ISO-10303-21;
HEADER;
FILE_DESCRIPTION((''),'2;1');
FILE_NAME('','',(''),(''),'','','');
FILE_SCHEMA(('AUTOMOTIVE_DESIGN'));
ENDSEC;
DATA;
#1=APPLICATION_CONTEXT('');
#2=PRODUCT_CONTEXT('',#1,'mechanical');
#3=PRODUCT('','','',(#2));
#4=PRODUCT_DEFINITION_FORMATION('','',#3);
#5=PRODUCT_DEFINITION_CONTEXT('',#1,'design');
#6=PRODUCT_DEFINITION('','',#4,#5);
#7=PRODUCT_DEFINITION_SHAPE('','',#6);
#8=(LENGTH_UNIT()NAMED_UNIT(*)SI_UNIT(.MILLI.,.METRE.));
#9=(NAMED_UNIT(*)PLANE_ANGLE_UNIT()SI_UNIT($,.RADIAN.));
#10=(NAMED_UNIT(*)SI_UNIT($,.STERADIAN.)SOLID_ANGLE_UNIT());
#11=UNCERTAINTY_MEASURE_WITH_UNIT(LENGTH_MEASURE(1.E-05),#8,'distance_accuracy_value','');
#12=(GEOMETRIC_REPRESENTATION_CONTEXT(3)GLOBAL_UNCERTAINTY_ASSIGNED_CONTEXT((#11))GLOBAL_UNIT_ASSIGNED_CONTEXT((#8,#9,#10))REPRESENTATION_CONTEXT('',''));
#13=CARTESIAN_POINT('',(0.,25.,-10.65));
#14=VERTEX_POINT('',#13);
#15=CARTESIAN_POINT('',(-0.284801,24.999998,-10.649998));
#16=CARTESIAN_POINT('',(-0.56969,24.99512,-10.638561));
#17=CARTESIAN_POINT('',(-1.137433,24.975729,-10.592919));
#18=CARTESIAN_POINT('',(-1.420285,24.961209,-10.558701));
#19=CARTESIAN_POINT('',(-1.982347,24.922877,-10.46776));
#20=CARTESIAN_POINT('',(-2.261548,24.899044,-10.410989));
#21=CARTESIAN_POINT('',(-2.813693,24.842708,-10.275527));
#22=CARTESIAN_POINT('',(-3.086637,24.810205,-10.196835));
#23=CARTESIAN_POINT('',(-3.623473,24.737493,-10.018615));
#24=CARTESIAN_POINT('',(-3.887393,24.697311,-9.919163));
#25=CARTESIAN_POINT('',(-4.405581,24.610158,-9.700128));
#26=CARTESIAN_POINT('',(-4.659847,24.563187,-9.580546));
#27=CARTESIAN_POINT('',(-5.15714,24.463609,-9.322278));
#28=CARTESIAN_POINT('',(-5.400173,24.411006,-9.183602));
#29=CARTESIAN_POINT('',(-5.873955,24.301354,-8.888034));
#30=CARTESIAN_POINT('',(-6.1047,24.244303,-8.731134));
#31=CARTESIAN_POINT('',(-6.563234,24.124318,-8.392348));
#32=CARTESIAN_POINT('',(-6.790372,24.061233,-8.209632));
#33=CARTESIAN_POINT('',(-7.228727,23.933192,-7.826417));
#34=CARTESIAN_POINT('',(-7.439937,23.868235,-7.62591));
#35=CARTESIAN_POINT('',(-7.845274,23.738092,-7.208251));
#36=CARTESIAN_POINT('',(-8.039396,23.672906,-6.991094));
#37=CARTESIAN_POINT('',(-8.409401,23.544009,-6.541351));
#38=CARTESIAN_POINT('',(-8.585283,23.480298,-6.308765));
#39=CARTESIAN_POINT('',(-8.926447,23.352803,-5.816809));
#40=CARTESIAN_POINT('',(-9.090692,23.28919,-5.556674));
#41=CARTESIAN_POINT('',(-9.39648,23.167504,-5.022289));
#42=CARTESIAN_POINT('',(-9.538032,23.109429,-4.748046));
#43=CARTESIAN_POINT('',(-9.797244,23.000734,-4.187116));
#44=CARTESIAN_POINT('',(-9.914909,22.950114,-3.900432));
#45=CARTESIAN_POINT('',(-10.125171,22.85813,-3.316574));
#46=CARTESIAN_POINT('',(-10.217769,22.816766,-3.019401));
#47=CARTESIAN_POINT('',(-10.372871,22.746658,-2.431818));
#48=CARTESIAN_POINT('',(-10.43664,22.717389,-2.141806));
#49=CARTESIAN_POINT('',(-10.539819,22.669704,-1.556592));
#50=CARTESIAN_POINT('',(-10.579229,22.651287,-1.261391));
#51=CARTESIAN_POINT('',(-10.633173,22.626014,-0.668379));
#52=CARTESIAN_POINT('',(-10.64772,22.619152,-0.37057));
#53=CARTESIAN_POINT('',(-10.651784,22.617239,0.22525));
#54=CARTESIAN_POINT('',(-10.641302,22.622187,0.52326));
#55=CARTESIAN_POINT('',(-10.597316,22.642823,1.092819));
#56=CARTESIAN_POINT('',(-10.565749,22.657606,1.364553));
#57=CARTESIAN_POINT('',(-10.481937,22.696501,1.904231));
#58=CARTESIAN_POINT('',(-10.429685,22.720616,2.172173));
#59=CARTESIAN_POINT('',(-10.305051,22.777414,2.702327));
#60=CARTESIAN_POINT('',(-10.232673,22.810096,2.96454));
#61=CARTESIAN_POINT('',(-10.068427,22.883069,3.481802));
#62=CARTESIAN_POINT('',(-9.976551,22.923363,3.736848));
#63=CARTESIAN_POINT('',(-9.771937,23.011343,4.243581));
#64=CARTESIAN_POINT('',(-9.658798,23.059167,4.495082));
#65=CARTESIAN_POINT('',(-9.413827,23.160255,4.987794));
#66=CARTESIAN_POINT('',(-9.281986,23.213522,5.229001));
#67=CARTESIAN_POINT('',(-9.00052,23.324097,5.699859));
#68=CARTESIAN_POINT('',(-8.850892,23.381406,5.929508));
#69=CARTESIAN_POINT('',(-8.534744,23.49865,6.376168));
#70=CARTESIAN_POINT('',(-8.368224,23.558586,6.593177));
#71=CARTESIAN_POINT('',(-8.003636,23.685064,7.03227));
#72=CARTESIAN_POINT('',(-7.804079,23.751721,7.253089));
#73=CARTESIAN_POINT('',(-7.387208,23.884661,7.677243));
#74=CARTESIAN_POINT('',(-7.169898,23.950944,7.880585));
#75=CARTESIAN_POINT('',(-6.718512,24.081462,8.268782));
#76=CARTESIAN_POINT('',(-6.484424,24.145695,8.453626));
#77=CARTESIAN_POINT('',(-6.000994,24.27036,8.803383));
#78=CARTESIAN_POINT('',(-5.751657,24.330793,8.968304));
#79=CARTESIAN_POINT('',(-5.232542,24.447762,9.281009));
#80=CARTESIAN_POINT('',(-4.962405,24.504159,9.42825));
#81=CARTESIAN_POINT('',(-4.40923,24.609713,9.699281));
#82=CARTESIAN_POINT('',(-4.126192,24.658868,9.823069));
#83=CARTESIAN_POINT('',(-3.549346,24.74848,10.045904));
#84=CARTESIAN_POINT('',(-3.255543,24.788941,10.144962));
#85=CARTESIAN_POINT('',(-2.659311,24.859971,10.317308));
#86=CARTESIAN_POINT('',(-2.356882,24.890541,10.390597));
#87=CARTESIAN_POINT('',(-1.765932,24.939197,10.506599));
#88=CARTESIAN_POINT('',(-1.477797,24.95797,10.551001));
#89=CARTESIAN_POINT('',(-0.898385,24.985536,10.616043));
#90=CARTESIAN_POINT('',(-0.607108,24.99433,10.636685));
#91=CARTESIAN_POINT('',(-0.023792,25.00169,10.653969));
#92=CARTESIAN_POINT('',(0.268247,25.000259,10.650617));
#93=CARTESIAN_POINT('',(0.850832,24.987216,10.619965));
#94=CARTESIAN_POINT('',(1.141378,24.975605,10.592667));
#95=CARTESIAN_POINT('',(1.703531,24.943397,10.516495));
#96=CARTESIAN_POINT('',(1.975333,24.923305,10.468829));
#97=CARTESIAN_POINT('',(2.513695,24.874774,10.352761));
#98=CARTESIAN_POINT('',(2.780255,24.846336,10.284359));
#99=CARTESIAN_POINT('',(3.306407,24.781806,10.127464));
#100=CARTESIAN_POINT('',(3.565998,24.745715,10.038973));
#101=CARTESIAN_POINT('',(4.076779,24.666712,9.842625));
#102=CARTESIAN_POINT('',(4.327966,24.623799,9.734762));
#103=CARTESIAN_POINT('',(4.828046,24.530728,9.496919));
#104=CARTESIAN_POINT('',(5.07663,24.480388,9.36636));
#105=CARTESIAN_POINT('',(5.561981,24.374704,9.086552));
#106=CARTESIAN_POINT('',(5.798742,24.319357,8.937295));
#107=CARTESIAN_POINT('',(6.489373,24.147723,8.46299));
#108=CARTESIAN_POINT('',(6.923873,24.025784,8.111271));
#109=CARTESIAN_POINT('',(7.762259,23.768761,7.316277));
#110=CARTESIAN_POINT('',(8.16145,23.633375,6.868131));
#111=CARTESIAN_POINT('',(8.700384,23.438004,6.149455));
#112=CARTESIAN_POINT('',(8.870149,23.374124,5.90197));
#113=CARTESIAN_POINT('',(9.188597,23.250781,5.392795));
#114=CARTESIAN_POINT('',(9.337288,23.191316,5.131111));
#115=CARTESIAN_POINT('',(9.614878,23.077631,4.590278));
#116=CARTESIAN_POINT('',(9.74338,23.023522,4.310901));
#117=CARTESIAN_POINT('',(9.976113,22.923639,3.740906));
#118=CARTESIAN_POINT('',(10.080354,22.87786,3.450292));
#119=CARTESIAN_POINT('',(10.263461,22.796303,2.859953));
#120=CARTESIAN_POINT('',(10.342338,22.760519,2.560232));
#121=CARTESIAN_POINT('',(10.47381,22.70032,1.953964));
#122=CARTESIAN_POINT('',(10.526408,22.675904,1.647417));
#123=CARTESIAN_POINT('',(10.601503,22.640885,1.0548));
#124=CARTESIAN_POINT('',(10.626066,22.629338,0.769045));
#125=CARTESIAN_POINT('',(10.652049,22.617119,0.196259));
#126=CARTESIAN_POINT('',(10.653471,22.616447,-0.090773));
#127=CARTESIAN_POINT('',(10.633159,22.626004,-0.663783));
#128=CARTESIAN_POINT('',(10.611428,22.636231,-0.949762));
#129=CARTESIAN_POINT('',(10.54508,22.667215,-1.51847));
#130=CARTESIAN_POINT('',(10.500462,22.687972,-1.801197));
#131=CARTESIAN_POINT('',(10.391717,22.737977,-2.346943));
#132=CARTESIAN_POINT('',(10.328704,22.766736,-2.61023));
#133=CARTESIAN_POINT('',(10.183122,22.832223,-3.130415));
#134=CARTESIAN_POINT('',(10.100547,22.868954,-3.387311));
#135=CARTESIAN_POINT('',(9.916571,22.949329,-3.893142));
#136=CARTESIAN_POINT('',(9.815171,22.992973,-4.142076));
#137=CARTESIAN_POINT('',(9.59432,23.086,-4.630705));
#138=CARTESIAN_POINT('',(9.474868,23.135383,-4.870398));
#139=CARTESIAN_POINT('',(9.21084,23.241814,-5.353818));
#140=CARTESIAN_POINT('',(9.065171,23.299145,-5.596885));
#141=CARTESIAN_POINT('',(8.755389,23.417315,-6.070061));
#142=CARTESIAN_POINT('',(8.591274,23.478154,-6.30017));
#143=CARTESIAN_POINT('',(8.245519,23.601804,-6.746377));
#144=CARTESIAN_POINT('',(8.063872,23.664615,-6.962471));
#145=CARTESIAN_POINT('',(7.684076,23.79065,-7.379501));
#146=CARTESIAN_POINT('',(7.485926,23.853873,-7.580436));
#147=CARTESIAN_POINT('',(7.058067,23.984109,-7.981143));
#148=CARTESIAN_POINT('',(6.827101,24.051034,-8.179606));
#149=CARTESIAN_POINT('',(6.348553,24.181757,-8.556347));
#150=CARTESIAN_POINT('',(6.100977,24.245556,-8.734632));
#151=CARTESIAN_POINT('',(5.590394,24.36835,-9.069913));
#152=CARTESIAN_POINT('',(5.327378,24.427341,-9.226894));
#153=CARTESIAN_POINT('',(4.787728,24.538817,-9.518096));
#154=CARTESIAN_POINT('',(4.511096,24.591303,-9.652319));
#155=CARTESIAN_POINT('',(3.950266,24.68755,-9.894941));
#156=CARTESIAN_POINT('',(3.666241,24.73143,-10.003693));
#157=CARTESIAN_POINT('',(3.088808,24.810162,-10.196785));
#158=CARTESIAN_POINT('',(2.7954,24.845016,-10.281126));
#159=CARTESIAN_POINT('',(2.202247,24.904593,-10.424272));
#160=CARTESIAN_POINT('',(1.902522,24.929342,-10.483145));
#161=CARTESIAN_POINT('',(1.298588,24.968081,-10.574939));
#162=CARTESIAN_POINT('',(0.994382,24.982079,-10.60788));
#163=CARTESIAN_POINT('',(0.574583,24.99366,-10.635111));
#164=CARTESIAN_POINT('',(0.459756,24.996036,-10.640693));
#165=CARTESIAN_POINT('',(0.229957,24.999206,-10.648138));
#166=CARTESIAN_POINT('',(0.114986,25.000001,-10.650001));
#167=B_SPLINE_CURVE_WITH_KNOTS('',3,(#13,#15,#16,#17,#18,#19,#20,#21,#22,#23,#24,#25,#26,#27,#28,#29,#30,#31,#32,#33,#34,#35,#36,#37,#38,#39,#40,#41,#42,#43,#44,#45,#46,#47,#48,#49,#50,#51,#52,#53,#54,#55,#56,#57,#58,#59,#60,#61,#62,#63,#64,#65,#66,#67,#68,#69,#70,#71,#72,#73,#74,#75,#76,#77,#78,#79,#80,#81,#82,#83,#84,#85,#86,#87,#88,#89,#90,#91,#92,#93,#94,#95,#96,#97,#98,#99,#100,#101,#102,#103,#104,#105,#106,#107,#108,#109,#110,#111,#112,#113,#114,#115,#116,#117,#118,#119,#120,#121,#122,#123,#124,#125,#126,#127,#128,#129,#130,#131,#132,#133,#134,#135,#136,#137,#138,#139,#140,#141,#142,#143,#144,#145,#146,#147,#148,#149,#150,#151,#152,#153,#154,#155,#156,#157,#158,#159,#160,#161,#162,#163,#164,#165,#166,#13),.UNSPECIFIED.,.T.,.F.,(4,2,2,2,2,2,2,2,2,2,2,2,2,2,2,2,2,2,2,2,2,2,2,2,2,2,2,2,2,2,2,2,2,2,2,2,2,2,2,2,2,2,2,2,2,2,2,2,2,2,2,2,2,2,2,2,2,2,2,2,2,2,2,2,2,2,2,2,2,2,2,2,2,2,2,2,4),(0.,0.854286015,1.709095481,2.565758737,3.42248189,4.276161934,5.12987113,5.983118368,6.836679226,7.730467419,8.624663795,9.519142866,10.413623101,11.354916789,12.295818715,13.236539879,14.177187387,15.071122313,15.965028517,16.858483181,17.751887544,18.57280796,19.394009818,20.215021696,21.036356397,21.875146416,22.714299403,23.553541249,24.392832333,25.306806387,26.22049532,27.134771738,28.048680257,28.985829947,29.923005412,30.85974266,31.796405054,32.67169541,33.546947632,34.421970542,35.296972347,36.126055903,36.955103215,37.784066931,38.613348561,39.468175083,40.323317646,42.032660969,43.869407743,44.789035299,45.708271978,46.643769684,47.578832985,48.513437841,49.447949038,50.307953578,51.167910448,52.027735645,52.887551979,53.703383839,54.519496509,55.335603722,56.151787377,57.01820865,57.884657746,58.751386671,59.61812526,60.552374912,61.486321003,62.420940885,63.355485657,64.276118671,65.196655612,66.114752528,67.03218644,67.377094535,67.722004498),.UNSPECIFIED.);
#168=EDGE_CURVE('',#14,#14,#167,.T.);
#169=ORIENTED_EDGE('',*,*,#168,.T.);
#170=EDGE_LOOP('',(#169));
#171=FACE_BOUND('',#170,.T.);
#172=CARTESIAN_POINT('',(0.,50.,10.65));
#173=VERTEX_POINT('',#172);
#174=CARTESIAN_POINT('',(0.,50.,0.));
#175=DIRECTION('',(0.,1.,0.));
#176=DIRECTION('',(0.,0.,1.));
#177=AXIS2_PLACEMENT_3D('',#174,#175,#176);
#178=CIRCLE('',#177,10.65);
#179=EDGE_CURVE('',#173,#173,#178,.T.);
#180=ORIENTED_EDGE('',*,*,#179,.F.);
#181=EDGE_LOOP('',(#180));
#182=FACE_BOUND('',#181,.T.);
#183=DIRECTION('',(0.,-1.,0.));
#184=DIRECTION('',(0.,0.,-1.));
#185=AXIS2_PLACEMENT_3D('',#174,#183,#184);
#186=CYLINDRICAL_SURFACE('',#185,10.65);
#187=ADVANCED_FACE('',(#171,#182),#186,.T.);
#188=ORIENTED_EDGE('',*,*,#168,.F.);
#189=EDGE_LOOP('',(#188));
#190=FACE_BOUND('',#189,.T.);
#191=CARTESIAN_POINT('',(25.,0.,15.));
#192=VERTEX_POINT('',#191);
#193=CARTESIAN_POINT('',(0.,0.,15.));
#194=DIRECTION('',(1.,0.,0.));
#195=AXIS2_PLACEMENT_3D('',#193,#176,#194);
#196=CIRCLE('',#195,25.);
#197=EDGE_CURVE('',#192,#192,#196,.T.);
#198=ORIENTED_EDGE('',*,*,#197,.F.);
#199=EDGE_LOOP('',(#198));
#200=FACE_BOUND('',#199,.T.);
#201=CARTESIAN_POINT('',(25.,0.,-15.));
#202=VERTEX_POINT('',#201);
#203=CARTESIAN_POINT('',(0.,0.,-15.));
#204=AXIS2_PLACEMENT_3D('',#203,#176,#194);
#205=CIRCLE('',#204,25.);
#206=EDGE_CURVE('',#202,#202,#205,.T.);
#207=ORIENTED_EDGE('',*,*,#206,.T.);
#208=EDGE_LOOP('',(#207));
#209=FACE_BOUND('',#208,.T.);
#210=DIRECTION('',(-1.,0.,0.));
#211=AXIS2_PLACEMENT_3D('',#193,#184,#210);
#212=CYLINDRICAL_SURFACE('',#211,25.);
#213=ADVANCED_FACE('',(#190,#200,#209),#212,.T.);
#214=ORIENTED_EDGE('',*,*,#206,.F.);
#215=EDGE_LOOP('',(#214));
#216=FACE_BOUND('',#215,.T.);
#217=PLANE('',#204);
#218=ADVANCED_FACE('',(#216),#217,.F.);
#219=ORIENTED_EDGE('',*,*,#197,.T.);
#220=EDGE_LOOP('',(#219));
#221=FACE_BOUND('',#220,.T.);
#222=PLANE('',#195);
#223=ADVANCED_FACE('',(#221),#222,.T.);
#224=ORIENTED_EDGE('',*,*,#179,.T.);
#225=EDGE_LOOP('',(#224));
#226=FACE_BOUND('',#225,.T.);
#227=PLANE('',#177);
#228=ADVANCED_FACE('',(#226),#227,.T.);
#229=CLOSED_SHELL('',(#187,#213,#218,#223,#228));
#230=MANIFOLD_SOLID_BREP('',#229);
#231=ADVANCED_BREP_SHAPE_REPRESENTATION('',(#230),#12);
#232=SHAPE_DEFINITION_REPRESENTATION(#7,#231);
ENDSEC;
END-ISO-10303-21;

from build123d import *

# Parameters (mm, degrees)
SKETCH1_R           = 25
BOSS_EXTRUDE1_DEPTH = 15
SKETCH2_R           = 10.65
BOSS_EXTRUDE2_DEPTH = 50


with BuildPart() as part:
    # Sketch1 → Boss-Extrude1 (new, symmetric)
    with BuildSketch(Plane.XY):
        Circle(SKETCH1_R)
    extrude(amount=BOSS_EXTRUDE1_DEPTH, both=True)

    # Sketch2 → Boss-Extrude2 (add)
    with BuildSketch(Plane(origin=(0, 0, 0), x_dir=(1, 0, 0), z_dir=(0, 1, 0))):
        with Locations(Location((0, 0, 0), (0, 0, 90))):
            Circle(SKETCH2_R)
    extrude(amount=BOSS_EXTRUDE2_DEPTH)


solid = part.part
